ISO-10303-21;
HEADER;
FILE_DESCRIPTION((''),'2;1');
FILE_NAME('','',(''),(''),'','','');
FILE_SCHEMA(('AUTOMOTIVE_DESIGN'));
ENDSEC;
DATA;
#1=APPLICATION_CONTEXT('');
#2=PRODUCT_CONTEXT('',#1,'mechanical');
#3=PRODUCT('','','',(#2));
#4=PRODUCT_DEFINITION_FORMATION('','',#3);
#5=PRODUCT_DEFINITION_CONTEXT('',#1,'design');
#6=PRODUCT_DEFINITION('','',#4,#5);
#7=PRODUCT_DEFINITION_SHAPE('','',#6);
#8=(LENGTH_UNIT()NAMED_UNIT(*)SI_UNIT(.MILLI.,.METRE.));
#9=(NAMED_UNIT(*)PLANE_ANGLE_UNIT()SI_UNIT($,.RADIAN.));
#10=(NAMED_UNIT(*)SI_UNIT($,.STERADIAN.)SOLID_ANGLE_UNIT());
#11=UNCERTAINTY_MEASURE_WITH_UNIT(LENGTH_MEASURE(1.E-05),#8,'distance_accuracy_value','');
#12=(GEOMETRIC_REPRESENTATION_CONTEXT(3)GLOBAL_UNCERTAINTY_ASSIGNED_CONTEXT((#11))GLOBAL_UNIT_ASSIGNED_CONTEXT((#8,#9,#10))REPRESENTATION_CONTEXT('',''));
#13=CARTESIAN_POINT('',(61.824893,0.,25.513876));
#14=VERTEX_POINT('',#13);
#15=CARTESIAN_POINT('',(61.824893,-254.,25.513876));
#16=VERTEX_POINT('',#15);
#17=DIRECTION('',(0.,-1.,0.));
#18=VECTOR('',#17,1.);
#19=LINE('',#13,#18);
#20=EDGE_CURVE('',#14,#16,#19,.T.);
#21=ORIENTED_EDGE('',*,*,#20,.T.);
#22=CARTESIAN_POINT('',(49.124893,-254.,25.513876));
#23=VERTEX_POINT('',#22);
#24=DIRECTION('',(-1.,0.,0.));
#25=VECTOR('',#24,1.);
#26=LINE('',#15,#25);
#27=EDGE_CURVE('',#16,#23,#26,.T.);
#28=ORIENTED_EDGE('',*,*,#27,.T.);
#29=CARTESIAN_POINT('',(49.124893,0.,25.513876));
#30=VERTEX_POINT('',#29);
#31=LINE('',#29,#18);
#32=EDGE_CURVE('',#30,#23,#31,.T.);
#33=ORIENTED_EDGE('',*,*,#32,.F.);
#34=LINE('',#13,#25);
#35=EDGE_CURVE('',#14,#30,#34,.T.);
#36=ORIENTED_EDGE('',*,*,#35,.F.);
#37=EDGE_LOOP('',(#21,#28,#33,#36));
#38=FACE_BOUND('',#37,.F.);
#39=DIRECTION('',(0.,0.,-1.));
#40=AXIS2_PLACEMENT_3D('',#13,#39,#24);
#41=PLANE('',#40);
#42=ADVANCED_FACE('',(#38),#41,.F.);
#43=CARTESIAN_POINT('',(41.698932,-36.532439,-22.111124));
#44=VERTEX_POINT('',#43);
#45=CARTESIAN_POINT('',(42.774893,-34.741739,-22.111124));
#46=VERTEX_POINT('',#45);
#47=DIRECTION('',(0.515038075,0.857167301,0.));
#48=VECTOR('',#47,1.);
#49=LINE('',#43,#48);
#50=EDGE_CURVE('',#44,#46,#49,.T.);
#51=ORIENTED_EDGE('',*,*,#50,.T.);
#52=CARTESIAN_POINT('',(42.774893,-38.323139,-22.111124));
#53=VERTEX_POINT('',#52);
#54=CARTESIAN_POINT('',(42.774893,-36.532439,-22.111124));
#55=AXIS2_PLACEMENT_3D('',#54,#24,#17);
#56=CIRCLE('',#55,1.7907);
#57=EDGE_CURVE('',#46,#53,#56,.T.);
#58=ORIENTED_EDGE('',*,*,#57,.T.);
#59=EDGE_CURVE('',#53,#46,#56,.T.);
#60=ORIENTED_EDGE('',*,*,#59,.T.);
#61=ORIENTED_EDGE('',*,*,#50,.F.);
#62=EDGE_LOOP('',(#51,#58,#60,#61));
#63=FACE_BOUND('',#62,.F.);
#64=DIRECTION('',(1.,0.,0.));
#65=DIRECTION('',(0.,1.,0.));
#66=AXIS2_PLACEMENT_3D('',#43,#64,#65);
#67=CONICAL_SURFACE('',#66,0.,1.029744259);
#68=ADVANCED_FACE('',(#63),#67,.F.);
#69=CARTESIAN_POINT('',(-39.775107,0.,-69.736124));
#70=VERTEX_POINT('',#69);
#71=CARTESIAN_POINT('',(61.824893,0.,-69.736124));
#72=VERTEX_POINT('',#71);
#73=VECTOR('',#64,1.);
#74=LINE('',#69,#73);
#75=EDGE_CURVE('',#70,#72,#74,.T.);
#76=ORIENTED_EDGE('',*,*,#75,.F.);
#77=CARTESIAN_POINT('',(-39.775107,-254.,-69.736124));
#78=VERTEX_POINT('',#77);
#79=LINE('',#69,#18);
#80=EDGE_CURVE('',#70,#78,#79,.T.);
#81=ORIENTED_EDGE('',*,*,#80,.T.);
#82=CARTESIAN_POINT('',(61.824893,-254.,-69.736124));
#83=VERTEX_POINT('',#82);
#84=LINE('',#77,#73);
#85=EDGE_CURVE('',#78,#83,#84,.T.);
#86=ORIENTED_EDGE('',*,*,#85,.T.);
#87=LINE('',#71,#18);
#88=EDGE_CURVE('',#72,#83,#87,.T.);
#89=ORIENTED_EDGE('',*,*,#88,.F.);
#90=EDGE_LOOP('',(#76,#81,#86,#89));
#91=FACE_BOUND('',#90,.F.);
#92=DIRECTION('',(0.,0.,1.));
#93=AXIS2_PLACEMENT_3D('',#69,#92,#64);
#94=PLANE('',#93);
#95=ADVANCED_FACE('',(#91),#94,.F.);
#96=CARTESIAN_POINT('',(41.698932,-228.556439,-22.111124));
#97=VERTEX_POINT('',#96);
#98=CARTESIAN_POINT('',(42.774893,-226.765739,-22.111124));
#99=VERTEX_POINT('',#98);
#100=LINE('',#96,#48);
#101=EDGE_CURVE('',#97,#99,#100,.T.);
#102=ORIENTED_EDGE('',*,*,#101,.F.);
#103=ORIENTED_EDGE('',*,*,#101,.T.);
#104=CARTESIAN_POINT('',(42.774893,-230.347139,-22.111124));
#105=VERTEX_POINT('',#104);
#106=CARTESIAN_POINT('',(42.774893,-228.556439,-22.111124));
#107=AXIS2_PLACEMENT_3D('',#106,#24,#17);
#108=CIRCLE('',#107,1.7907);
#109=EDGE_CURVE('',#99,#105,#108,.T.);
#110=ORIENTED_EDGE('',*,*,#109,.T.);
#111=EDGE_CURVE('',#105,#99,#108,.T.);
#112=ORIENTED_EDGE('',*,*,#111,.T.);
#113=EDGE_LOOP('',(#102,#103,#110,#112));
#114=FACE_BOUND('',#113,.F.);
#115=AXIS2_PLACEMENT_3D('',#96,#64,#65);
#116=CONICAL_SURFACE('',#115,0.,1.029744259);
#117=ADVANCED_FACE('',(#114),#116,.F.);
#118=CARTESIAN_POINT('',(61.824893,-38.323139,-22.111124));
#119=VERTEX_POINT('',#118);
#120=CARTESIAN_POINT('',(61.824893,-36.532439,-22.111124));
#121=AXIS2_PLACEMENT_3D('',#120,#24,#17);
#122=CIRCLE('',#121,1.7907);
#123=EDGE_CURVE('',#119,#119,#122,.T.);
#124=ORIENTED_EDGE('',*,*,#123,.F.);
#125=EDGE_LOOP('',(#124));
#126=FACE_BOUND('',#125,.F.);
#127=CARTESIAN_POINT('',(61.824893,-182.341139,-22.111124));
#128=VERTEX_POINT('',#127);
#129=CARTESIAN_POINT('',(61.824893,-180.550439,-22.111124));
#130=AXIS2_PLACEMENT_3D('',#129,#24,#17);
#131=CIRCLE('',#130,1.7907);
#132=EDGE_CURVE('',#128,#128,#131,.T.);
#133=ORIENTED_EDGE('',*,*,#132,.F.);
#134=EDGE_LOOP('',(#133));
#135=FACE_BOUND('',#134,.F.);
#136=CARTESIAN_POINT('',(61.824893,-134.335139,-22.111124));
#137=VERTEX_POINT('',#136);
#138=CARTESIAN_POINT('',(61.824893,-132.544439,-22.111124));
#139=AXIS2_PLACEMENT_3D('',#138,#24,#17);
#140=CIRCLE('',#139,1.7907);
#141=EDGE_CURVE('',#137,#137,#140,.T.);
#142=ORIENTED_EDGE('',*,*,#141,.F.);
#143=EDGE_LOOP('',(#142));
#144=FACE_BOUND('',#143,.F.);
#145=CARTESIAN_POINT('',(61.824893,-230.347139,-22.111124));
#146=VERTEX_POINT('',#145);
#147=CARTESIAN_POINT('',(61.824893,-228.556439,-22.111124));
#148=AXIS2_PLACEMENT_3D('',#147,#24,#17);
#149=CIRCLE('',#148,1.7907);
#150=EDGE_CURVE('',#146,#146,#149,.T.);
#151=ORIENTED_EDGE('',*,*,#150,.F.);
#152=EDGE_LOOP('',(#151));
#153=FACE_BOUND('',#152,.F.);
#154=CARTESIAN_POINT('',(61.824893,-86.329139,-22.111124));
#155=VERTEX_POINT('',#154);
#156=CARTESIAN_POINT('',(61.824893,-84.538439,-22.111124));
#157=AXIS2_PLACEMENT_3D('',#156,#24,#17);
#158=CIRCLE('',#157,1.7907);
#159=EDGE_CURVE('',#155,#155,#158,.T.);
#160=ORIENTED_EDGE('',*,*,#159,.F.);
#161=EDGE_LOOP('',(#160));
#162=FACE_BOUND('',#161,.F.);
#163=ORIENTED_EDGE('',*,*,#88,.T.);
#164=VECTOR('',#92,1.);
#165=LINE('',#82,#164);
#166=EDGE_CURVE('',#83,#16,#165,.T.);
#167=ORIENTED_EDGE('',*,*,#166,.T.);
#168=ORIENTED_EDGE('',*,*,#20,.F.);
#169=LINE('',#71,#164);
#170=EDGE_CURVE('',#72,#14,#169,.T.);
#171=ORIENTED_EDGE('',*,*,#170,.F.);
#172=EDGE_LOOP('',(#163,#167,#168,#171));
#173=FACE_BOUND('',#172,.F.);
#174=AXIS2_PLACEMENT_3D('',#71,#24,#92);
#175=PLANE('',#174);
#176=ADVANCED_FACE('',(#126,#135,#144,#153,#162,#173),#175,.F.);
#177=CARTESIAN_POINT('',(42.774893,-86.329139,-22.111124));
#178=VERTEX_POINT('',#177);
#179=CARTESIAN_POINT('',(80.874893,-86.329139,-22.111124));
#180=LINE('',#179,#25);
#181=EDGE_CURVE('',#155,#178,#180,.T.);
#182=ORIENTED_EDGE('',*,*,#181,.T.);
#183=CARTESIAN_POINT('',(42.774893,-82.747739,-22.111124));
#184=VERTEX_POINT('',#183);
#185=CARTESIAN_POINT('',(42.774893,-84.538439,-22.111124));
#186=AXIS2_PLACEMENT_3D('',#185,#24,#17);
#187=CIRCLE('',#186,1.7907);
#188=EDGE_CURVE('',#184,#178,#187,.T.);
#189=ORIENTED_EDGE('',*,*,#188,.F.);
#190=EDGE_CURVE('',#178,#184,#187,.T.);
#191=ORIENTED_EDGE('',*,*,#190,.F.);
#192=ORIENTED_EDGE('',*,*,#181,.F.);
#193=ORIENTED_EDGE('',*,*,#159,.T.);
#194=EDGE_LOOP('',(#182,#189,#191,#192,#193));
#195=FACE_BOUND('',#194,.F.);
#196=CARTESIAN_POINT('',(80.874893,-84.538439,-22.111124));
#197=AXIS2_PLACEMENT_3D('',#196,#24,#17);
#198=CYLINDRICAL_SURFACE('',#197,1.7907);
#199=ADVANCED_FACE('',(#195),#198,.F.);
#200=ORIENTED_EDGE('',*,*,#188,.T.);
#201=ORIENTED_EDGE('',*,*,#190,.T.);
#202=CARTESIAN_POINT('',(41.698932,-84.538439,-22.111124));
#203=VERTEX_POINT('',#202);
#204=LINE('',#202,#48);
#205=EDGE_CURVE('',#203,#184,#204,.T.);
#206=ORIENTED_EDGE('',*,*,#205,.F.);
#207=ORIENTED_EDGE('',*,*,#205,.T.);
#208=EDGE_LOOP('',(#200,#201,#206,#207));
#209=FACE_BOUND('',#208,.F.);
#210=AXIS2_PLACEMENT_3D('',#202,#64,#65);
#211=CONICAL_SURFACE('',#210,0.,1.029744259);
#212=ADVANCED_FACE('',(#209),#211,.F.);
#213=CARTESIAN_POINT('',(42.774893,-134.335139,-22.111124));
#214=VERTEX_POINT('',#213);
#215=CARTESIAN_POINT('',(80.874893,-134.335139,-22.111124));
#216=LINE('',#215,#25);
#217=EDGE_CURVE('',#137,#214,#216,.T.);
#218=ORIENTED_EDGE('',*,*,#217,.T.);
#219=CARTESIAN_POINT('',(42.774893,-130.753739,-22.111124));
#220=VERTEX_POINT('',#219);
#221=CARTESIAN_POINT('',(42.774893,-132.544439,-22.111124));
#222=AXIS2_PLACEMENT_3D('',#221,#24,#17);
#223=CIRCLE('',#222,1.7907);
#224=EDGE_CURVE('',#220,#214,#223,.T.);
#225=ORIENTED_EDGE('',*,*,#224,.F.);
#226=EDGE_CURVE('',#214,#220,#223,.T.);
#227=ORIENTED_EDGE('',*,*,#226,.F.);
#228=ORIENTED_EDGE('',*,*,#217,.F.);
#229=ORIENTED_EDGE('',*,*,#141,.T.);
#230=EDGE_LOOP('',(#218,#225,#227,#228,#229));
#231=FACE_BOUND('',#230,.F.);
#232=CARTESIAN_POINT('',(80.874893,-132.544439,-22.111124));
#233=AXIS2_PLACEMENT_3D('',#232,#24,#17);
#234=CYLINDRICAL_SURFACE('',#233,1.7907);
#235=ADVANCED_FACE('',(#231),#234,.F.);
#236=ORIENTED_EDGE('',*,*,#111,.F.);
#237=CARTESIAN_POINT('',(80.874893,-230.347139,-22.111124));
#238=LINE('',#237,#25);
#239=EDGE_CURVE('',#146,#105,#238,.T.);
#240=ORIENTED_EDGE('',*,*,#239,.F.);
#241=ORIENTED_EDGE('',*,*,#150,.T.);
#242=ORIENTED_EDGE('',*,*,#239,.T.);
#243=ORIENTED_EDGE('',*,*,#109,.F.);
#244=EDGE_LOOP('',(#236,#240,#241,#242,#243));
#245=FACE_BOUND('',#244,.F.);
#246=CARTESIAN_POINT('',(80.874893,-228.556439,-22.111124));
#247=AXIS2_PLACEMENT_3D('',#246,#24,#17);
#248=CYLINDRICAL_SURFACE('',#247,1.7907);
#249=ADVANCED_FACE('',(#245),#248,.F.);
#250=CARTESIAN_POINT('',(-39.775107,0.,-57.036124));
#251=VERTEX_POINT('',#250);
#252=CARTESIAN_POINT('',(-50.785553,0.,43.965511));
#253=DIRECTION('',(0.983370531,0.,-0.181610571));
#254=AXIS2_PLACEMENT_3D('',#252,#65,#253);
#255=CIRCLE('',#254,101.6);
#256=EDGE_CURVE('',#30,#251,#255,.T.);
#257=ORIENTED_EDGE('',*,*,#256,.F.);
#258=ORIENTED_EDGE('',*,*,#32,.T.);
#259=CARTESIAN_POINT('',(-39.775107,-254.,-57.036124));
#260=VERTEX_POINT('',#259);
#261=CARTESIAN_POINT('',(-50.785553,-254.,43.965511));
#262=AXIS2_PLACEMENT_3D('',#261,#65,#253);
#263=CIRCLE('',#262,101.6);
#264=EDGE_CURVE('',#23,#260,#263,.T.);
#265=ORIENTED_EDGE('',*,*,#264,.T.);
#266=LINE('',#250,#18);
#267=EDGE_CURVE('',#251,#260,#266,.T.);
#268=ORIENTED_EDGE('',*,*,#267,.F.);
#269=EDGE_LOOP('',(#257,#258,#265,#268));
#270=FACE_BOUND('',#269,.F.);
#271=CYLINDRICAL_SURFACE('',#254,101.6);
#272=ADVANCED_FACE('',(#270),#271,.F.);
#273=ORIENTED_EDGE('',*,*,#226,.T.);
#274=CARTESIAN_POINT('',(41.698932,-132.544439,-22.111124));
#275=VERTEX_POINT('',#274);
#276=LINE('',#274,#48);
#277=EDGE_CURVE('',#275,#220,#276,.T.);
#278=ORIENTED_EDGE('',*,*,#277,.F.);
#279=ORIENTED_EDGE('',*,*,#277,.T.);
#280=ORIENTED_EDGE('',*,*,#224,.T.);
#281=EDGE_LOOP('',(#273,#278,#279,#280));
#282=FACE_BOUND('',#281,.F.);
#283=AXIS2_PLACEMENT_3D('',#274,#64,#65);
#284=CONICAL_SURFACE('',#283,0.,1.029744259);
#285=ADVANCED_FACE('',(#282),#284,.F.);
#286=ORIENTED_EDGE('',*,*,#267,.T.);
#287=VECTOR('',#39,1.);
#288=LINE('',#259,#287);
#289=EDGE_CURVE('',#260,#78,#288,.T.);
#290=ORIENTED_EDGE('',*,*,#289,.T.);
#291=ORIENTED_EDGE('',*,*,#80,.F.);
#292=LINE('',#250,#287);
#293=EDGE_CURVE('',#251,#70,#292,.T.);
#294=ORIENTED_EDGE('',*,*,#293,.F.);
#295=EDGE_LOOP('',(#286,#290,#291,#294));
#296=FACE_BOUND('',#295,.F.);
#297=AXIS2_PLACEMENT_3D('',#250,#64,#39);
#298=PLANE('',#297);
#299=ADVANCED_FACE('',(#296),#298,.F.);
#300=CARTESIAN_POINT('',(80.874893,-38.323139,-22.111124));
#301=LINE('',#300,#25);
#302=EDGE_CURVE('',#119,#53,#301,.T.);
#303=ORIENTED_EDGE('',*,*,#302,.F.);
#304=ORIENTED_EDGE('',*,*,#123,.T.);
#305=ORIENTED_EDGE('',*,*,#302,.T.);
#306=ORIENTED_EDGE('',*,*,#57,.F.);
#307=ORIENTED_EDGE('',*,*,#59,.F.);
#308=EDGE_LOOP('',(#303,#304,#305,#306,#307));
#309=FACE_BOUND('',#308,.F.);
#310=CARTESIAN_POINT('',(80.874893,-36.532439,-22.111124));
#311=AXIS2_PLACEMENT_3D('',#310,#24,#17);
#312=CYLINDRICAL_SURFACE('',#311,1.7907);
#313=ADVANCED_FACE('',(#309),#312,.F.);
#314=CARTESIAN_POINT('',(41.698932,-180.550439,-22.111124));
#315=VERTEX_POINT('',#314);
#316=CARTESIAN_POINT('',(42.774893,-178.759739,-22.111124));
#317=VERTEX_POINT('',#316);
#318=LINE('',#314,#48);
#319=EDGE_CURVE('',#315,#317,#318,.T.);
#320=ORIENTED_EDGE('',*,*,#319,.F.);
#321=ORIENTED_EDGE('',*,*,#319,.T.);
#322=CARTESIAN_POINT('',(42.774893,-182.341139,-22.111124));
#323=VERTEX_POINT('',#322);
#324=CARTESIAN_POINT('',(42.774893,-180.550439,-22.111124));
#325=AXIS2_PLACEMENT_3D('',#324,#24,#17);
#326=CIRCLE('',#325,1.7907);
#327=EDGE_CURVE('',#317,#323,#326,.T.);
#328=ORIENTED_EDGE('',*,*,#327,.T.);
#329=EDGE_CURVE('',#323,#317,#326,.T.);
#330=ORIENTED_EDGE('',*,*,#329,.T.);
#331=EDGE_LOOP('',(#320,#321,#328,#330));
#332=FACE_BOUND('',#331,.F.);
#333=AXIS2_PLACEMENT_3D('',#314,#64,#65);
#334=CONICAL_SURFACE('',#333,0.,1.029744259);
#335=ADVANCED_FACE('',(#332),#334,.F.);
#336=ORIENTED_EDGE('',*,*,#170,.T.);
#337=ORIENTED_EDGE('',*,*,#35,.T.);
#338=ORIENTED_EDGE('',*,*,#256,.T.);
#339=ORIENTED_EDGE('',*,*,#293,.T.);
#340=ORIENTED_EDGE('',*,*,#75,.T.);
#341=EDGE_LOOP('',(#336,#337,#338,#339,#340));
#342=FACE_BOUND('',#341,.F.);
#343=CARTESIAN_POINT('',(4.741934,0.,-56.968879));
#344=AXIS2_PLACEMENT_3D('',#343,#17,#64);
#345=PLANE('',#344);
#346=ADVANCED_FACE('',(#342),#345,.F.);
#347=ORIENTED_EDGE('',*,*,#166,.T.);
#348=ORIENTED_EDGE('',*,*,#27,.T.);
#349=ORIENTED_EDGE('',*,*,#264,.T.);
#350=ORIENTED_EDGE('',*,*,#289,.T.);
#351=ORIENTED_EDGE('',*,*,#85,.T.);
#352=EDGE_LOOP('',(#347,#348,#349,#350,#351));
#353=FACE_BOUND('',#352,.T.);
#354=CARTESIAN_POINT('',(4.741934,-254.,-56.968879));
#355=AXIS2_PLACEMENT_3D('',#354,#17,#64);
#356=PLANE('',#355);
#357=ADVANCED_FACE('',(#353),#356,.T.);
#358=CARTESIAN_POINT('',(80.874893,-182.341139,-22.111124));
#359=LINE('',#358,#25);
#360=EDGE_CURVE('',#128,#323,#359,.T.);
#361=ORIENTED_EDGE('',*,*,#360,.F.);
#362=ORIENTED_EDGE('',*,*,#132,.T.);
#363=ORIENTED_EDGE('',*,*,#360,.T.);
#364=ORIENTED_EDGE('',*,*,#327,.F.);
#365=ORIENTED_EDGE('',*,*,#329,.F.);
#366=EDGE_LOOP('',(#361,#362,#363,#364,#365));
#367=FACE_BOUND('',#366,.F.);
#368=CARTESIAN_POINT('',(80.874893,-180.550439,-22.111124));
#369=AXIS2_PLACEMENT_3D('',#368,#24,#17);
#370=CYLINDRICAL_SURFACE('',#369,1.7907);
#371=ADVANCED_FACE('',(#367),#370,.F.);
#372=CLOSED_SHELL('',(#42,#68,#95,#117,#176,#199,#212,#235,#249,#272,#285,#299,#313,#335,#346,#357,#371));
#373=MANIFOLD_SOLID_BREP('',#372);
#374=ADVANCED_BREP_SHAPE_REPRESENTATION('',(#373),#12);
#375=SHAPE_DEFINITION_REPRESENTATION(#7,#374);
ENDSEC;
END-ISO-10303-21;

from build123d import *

# Parameters (mm, degrees)
F1_DEPTH = 254
F3_D     = 3.5814
F3_DEPTH = 19.05
F3_TIP   = 1.0759611105


with BuildPart() as f1:
    # F0 (on Front) → F1 (new body)
    with BuildSketch(Plane.XZ):
        Polygon((49.1248931152, -56.7675527828), (-39.7751068848, -57.0361235134), (48.4362465841, -57.0361235134), (49.1248931152, -57.0361235134), align=None)
        with BuildLine():
            ThreePointArc((49.1248931152, 25.5138764866), (18.3482789064, -30.4863082116), (-39.7751068848, -57.0361235134))
            Line((-39.7751068848, -57.0361235134), (49.1248931152, -56.7675527828))
            Line((49.1248931152, -56.7675527828), (49.1248931152, 25.5138764866))
        make_face()
        Polygon((48.4362465841, -57.0361235134), (-39.7751068848, -57.0361235134), (-39.7751068848, -69.7361235134), (61.8248931152, -69.7361235134), (61.8248931152, -57.0361235134), (55.4748931152, -57.0361235134), (49.1248931152, -57.0361235134), align=None)
        Polygon((49.1248931152, 25.5138764866), (49.1248931152, -56.7675527828), (49.1248931152, -57.0361235134), (55.4748931152, -57.0361235134), (61.8248931152, -57.0361235134), (61.8248931152, 25.5138764866), align=None)
    extrude(amount=F1_DEPTH)

    # F3
    with Locations(Plane.YZ.offset(61.8248931152)):
        with Locations((-228.5564392805, -22.1111235134), (-180.5504392805, -22.1111235134), (-132.5444392805, -22.1111235134), (-84.5384392805, -22.1111235134), (-36.5324392805, -22.1111235134)):
            Hole(F3_D / 2, depth=F3_DEPTH)
            with Locations((0, 0, -(F3_DEPTH + F3_TIP / 2))):  # 118° drill point
                Cone(0, F3_D / 2, F3_TIP, mode=Mode.SUBTRACT)


solid = f1.part
